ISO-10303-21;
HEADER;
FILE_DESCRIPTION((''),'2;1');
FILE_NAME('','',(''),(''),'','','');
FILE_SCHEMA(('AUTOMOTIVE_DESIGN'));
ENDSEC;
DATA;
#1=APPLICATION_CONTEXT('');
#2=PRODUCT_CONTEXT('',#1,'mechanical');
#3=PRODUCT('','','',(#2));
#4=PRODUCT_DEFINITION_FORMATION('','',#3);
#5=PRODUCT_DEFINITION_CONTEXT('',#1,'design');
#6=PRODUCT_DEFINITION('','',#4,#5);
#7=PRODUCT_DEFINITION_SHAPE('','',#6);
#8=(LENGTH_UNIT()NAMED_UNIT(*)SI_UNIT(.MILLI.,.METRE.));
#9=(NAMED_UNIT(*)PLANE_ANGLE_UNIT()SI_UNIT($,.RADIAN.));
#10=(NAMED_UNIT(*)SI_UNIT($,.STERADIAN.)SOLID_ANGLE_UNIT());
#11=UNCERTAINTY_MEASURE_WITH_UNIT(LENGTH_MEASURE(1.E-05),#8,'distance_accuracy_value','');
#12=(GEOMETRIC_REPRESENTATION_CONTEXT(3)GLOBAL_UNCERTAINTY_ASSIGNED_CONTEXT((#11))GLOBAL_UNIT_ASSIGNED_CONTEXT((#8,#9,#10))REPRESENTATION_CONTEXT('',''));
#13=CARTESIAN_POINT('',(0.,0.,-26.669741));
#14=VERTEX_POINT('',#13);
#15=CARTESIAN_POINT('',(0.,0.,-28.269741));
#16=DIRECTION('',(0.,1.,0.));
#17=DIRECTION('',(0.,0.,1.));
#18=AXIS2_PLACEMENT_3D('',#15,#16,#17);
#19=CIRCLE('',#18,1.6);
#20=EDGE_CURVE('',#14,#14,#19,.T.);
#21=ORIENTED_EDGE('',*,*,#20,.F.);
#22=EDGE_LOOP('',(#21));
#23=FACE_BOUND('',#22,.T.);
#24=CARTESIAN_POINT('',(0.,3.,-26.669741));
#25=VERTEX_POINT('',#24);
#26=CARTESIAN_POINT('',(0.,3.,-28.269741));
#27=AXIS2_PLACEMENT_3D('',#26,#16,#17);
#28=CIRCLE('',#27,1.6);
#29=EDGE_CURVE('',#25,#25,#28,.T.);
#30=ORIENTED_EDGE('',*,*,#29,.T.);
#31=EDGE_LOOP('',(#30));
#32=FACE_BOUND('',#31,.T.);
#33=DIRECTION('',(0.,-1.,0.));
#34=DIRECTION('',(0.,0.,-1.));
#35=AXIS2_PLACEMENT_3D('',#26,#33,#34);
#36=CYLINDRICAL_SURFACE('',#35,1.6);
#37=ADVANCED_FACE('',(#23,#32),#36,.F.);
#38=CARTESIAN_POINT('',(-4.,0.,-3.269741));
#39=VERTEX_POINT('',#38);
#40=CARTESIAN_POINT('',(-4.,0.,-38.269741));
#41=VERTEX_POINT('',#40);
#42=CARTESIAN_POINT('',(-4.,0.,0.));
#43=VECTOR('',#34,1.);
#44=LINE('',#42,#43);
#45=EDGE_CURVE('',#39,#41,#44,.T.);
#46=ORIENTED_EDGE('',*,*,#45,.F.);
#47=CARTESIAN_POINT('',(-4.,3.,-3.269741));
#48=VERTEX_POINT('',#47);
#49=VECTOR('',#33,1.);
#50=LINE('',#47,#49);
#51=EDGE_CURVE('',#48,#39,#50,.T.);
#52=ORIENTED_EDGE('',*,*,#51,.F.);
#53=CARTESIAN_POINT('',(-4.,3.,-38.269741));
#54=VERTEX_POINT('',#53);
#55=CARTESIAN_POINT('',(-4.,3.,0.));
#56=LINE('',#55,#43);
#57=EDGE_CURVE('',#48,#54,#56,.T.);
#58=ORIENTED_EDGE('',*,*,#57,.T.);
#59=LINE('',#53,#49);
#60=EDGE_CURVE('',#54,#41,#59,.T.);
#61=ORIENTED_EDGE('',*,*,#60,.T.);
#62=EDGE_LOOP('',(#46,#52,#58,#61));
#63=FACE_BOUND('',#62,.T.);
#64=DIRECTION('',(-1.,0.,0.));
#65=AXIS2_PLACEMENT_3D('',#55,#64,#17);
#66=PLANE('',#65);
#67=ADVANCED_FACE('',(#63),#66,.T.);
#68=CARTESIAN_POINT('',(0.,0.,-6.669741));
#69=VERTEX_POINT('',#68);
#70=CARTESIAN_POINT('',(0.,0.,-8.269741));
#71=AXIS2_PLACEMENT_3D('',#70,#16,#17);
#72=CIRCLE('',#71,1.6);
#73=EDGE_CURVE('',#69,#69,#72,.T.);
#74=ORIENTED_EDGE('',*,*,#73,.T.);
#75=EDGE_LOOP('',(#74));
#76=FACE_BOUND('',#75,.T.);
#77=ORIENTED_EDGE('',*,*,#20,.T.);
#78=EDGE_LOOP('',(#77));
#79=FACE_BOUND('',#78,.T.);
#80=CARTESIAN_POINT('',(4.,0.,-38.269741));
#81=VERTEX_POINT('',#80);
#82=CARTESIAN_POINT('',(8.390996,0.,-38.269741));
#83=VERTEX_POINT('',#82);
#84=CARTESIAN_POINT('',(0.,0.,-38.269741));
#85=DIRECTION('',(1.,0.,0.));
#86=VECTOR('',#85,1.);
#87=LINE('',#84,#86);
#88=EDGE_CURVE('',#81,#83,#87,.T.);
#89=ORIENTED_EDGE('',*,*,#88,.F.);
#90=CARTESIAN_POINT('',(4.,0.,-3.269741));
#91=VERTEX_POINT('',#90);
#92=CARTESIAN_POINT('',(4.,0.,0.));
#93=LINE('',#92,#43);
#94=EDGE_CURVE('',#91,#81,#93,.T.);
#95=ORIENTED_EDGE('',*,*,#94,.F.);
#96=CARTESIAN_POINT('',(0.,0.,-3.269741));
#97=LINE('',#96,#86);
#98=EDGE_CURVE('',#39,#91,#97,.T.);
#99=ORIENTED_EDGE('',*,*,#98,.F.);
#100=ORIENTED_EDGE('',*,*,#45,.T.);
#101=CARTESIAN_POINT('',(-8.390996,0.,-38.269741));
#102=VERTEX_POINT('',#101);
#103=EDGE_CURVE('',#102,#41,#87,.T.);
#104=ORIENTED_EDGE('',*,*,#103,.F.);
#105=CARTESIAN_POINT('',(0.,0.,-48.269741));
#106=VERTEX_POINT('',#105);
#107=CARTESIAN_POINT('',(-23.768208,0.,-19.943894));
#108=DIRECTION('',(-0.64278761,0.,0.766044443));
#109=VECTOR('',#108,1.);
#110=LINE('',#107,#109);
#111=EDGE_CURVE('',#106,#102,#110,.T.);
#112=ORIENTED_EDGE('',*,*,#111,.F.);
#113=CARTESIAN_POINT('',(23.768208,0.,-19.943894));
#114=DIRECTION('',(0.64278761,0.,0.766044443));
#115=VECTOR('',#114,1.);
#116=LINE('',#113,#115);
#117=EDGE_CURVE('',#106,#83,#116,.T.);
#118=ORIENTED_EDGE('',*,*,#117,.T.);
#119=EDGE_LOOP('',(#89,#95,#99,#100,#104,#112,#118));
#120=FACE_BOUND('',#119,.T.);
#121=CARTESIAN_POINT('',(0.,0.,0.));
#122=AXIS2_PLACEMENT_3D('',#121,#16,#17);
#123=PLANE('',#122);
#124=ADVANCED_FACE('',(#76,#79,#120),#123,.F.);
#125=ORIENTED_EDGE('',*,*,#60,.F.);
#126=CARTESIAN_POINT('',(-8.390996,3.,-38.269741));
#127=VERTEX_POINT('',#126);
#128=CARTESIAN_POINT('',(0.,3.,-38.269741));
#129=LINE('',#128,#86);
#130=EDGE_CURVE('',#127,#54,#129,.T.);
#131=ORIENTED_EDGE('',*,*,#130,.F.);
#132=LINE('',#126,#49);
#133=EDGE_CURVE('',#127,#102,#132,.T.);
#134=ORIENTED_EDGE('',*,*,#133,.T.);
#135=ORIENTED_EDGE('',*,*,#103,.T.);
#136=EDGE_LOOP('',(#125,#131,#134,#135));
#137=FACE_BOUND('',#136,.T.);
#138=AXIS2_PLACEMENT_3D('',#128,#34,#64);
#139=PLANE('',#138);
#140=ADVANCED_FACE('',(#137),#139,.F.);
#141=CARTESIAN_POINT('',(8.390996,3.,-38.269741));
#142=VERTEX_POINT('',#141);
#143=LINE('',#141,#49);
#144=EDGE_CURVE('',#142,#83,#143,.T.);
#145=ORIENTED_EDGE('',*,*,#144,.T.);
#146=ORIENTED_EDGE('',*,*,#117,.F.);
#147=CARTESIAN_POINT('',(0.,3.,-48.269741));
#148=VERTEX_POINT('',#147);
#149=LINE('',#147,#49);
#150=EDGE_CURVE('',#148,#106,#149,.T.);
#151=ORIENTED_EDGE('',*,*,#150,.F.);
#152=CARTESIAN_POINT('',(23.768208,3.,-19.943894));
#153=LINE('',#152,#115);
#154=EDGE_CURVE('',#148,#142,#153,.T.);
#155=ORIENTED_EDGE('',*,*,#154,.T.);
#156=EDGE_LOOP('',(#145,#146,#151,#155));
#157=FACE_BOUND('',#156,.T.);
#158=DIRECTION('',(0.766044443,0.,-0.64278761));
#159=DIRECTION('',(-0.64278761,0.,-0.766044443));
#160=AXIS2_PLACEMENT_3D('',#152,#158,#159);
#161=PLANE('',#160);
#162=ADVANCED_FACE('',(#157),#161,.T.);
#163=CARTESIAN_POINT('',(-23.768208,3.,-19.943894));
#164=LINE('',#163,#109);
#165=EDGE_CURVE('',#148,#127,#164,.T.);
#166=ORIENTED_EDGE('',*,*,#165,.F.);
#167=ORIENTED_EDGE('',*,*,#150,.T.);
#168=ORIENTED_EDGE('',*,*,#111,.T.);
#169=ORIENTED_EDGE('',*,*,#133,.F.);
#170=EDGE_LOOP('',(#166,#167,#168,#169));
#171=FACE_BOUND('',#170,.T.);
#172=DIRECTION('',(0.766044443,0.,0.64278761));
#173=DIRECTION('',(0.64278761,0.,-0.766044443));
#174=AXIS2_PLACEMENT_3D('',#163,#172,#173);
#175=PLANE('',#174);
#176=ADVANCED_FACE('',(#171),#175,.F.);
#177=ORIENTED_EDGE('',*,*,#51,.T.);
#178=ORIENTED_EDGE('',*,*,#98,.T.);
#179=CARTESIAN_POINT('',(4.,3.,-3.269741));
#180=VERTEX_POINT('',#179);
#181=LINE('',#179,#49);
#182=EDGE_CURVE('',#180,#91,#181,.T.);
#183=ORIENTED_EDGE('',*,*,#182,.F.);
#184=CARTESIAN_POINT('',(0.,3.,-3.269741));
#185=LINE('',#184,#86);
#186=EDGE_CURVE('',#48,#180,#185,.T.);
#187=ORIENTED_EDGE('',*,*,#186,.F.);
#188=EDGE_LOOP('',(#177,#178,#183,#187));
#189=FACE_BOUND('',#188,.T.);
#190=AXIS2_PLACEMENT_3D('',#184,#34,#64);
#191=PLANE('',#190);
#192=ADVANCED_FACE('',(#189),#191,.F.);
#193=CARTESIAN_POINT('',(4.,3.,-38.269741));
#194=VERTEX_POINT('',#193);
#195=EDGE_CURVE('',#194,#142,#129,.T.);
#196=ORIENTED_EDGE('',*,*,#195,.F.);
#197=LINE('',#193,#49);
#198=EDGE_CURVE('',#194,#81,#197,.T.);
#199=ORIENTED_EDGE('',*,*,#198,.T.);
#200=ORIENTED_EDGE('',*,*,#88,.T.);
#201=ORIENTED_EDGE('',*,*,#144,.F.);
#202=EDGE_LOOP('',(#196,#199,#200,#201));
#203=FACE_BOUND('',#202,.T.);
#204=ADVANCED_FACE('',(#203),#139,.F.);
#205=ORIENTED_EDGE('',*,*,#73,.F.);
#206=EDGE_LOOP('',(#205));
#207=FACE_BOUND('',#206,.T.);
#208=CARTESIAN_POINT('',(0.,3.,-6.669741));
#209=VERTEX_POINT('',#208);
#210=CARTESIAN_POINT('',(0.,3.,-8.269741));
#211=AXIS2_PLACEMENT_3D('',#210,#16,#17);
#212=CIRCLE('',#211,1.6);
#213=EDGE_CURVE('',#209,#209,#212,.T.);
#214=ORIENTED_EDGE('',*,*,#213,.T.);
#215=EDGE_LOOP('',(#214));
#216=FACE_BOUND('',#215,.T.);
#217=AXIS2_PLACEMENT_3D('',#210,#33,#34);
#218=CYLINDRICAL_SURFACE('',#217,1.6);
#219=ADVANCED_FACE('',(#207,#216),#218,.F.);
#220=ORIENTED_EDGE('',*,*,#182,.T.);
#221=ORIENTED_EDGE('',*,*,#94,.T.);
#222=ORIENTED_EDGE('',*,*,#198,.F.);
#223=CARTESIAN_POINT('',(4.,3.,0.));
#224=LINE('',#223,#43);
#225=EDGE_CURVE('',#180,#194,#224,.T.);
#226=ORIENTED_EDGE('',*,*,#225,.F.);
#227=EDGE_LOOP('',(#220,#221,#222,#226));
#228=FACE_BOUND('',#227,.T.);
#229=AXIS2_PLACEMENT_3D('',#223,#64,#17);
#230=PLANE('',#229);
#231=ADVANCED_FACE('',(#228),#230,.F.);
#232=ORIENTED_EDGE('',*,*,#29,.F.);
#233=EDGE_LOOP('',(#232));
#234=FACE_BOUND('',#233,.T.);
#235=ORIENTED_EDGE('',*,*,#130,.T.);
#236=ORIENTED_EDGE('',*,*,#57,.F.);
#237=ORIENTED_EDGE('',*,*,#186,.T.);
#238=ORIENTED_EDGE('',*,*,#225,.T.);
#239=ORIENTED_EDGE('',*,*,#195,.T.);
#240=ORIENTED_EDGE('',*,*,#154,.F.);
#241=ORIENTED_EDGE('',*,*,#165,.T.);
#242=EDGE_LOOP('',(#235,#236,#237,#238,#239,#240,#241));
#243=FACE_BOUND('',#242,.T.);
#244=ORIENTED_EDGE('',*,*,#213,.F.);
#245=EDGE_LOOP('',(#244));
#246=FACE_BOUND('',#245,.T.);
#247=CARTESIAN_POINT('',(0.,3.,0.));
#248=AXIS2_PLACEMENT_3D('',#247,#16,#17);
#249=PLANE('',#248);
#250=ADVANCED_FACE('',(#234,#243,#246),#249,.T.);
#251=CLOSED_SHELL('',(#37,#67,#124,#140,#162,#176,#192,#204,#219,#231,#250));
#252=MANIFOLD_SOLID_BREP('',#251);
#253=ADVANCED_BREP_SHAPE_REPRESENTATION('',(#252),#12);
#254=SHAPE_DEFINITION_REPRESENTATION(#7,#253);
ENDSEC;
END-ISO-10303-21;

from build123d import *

# Parameters (mm, degrees)
SKETCH1_R           = 1.6
BOSS_EXTRUDE1_DEPTH = 3


with BuildPart() as part:
    # Sketch1 → Boss-Extrude1 (new body)
    with BuildSketch(Plane(origin=(0, 0, 0), x_dir=(1, 0, 0), z_dir=(0, 1, 0))):
        Polygon((8.390996312, 38.269741393), (0, 48.269741393), (-8.390996312, 38.269741393), (-4, 38.269741393), (-4, 3.269741393), (4, 3.269741393), (4, 38.269741393), align=None)
        with Locations((0, 28.269741393)):
            Circle(SKETCH1_R, mode=Mode.SUBTRACT)
        with Locations((0, 8.269741393)):
            Circle(SKETCH1_R, mode=Mode.SUBTRACT)
    extrude(amount=BOSS_EXTRUDE1_DEPTH)


solid = part.part
